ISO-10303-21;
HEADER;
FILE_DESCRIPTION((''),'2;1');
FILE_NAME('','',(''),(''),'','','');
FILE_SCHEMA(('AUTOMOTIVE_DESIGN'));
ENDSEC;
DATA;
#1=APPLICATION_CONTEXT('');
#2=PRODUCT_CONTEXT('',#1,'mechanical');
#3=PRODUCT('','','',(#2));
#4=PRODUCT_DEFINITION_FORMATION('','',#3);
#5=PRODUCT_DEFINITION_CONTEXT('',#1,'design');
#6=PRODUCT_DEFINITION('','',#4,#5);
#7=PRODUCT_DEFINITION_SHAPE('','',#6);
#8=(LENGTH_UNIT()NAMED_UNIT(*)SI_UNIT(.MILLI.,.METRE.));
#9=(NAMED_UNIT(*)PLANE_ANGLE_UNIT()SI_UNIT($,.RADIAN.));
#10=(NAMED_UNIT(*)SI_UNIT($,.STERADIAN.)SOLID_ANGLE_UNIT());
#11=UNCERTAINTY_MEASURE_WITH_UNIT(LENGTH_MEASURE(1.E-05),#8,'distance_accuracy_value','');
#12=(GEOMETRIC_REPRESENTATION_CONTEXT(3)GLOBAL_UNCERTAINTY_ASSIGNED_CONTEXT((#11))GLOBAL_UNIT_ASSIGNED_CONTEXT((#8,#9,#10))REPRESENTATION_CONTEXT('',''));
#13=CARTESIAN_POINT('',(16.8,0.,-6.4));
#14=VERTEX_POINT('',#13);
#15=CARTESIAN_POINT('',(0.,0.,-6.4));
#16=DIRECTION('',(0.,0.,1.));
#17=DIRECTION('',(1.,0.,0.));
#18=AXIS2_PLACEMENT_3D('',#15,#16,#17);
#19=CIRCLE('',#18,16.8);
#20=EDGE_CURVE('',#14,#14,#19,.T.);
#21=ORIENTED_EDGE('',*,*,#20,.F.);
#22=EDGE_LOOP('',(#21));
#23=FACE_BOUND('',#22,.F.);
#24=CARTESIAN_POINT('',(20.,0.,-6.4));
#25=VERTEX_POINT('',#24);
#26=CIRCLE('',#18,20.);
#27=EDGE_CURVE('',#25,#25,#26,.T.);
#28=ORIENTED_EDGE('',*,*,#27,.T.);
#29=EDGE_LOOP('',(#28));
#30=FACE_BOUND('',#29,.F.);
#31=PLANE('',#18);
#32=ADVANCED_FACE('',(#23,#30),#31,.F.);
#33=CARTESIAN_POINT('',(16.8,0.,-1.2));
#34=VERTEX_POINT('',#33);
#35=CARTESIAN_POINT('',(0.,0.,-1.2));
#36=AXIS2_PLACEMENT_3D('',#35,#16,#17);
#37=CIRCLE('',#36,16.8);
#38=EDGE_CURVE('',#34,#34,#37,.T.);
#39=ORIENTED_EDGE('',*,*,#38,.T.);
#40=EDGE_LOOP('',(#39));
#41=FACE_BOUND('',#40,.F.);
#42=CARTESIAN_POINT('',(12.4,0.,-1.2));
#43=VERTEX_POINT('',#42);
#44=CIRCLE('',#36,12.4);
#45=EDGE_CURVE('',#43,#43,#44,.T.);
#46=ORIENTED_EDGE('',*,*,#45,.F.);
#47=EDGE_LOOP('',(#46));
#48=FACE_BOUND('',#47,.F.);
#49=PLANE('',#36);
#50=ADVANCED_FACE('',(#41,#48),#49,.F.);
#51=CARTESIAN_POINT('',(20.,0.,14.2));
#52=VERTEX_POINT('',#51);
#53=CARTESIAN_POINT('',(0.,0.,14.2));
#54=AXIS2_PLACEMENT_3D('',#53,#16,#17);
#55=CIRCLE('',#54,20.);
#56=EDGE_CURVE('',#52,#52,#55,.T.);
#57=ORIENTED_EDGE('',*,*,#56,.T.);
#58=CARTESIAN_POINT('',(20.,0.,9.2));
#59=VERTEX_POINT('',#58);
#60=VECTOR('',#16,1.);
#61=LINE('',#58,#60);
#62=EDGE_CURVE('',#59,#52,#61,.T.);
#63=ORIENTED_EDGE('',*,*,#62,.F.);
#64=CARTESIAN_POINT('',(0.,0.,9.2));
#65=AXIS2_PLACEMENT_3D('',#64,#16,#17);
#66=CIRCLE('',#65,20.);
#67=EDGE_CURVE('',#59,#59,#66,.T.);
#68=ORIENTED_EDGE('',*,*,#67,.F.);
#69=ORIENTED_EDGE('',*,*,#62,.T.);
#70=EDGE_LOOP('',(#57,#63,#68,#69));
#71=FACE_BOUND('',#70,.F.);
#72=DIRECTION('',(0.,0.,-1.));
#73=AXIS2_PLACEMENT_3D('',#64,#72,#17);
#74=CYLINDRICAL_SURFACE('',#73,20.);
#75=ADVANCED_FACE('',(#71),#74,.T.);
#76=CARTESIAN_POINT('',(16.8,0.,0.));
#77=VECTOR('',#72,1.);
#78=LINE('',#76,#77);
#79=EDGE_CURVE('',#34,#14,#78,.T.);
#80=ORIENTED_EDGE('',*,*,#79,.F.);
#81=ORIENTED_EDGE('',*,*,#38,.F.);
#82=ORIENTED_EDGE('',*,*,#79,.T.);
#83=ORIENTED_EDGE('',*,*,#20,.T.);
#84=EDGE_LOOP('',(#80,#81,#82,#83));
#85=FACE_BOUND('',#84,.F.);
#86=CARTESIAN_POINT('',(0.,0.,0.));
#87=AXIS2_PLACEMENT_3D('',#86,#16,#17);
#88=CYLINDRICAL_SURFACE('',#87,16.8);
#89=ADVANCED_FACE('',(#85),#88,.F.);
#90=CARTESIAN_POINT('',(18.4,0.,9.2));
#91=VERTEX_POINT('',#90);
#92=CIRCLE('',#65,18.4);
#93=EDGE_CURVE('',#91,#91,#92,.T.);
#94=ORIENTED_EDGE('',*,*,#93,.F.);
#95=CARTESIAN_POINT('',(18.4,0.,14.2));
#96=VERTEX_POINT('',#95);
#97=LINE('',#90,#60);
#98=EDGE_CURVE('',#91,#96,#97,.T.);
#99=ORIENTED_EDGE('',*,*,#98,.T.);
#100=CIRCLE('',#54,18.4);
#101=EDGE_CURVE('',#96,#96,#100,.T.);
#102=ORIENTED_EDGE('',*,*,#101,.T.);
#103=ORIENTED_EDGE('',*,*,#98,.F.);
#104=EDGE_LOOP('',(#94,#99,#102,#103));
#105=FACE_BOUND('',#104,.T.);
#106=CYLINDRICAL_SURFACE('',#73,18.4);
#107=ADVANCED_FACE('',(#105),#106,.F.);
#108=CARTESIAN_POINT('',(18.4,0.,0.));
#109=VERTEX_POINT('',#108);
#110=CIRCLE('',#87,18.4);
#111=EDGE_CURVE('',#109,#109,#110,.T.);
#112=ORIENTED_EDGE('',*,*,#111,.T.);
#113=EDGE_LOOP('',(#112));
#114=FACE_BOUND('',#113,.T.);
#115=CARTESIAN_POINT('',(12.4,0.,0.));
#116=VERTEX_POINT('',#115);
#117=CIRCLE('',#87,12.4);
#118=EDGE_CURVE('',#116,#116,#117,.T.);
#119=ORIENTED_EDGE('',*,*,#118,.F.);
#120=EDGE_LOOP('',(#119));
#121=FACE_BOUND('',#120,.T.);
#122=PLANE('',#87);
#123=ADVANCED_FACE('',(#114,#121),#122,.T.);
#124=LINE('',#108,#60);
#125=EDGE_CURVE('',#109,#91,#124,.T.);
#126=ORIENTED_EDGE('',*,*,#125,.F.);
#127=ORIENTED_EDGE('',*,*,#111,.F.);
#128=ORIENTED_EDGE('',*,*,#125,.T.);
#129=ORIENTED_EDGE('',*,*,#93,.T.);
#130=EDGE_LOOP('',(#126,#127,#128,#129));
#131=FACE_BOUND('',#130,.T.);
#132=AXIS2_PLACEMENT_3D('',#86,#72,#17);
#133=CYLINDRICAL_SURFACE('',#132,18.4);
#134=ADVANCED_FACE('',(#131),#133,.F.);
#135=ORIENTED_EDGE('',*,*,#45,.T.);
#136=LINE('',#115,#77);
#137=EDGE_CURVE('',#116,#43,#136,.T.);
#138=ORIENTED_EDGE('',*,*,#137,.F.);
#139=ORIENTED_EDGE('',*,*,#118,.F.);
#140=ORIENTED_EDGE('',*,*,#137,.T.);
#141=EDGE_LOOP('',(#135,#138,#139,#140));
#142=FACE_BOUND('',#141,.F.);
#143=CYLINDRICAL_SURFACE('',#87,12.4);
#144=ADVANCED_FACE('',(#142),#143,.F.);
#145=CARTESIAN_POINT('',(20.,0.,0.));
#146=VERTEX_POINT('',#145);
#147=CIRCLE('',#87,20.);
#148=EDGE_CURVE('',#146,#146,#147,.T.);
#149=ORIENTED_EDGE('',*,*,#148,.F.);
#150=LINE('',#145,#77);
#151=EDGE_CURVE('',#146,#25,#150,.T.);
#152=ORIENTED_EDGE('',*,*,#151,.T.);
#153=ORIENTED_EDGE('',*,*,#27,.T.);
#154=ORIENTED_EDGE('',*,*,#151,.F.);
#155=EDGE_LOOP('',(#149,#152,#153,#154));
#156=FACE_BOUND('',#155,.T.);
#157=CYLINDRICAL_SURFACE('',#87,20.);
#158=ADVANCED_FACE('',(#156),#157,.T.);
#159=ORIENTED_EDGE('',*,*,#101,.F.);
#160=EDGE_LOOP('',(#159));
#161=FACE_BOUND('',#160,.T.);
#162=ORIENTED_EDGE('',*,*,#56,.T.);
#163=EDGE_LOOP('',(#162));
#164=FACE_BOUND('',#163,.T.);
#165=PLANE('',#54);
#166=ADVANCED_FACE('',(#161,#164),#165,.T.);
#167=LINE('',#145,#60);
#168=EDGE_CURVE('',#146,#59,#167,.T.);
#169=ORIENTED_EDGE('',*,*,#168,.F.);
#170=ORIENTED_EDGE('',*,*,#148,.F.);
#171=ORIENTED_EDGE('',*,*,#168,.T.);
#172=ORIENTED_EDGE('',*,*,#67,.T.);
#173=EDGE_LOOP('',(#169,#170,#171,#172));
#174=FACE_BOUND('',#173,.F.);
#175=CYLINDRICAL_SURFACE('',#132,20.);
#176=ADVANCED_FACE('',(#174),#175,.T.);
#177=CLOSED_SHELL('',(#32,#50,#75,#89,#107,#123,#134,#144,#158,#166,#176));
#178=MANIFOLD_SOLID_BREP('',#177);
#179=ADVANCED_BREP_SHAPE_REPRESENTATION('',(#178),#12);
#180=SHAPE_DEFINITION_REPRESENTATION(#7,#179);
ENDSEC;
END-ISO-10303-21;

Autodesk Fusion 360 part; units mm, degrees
sketch "Sketch1" plane through (0, 0, 0) normal (0, 0, 1) x (1, 0, 0)
  circle A0 centre (0, 0) radius 20
  circle A1 centre (0, 0) radius 18.4
  circle A2 centre (0, 0) radius 12.4
  circle A3 centre (0, 0) radius 16.8
  dimension "d1" = 40
  dimension "d2" = -1.6
  dimension "d3" = -7.6
  dimension "d4" = -3.2
extrude "Extrude1" add sketch "Sketch1" against normal blind 6.4 contours A0 | A1
extrude "Extrude2" add sketch "Sketch1" against normal blind 1.2 contours A3
extrude "Extrude3" add sketch "Sketch1" along normal blind 9.2 contours A0
extrude "Extrude4" add 1 faces at (19.3922, -0.9936, 9.2) along direction (0, 0, 1) blind 5
